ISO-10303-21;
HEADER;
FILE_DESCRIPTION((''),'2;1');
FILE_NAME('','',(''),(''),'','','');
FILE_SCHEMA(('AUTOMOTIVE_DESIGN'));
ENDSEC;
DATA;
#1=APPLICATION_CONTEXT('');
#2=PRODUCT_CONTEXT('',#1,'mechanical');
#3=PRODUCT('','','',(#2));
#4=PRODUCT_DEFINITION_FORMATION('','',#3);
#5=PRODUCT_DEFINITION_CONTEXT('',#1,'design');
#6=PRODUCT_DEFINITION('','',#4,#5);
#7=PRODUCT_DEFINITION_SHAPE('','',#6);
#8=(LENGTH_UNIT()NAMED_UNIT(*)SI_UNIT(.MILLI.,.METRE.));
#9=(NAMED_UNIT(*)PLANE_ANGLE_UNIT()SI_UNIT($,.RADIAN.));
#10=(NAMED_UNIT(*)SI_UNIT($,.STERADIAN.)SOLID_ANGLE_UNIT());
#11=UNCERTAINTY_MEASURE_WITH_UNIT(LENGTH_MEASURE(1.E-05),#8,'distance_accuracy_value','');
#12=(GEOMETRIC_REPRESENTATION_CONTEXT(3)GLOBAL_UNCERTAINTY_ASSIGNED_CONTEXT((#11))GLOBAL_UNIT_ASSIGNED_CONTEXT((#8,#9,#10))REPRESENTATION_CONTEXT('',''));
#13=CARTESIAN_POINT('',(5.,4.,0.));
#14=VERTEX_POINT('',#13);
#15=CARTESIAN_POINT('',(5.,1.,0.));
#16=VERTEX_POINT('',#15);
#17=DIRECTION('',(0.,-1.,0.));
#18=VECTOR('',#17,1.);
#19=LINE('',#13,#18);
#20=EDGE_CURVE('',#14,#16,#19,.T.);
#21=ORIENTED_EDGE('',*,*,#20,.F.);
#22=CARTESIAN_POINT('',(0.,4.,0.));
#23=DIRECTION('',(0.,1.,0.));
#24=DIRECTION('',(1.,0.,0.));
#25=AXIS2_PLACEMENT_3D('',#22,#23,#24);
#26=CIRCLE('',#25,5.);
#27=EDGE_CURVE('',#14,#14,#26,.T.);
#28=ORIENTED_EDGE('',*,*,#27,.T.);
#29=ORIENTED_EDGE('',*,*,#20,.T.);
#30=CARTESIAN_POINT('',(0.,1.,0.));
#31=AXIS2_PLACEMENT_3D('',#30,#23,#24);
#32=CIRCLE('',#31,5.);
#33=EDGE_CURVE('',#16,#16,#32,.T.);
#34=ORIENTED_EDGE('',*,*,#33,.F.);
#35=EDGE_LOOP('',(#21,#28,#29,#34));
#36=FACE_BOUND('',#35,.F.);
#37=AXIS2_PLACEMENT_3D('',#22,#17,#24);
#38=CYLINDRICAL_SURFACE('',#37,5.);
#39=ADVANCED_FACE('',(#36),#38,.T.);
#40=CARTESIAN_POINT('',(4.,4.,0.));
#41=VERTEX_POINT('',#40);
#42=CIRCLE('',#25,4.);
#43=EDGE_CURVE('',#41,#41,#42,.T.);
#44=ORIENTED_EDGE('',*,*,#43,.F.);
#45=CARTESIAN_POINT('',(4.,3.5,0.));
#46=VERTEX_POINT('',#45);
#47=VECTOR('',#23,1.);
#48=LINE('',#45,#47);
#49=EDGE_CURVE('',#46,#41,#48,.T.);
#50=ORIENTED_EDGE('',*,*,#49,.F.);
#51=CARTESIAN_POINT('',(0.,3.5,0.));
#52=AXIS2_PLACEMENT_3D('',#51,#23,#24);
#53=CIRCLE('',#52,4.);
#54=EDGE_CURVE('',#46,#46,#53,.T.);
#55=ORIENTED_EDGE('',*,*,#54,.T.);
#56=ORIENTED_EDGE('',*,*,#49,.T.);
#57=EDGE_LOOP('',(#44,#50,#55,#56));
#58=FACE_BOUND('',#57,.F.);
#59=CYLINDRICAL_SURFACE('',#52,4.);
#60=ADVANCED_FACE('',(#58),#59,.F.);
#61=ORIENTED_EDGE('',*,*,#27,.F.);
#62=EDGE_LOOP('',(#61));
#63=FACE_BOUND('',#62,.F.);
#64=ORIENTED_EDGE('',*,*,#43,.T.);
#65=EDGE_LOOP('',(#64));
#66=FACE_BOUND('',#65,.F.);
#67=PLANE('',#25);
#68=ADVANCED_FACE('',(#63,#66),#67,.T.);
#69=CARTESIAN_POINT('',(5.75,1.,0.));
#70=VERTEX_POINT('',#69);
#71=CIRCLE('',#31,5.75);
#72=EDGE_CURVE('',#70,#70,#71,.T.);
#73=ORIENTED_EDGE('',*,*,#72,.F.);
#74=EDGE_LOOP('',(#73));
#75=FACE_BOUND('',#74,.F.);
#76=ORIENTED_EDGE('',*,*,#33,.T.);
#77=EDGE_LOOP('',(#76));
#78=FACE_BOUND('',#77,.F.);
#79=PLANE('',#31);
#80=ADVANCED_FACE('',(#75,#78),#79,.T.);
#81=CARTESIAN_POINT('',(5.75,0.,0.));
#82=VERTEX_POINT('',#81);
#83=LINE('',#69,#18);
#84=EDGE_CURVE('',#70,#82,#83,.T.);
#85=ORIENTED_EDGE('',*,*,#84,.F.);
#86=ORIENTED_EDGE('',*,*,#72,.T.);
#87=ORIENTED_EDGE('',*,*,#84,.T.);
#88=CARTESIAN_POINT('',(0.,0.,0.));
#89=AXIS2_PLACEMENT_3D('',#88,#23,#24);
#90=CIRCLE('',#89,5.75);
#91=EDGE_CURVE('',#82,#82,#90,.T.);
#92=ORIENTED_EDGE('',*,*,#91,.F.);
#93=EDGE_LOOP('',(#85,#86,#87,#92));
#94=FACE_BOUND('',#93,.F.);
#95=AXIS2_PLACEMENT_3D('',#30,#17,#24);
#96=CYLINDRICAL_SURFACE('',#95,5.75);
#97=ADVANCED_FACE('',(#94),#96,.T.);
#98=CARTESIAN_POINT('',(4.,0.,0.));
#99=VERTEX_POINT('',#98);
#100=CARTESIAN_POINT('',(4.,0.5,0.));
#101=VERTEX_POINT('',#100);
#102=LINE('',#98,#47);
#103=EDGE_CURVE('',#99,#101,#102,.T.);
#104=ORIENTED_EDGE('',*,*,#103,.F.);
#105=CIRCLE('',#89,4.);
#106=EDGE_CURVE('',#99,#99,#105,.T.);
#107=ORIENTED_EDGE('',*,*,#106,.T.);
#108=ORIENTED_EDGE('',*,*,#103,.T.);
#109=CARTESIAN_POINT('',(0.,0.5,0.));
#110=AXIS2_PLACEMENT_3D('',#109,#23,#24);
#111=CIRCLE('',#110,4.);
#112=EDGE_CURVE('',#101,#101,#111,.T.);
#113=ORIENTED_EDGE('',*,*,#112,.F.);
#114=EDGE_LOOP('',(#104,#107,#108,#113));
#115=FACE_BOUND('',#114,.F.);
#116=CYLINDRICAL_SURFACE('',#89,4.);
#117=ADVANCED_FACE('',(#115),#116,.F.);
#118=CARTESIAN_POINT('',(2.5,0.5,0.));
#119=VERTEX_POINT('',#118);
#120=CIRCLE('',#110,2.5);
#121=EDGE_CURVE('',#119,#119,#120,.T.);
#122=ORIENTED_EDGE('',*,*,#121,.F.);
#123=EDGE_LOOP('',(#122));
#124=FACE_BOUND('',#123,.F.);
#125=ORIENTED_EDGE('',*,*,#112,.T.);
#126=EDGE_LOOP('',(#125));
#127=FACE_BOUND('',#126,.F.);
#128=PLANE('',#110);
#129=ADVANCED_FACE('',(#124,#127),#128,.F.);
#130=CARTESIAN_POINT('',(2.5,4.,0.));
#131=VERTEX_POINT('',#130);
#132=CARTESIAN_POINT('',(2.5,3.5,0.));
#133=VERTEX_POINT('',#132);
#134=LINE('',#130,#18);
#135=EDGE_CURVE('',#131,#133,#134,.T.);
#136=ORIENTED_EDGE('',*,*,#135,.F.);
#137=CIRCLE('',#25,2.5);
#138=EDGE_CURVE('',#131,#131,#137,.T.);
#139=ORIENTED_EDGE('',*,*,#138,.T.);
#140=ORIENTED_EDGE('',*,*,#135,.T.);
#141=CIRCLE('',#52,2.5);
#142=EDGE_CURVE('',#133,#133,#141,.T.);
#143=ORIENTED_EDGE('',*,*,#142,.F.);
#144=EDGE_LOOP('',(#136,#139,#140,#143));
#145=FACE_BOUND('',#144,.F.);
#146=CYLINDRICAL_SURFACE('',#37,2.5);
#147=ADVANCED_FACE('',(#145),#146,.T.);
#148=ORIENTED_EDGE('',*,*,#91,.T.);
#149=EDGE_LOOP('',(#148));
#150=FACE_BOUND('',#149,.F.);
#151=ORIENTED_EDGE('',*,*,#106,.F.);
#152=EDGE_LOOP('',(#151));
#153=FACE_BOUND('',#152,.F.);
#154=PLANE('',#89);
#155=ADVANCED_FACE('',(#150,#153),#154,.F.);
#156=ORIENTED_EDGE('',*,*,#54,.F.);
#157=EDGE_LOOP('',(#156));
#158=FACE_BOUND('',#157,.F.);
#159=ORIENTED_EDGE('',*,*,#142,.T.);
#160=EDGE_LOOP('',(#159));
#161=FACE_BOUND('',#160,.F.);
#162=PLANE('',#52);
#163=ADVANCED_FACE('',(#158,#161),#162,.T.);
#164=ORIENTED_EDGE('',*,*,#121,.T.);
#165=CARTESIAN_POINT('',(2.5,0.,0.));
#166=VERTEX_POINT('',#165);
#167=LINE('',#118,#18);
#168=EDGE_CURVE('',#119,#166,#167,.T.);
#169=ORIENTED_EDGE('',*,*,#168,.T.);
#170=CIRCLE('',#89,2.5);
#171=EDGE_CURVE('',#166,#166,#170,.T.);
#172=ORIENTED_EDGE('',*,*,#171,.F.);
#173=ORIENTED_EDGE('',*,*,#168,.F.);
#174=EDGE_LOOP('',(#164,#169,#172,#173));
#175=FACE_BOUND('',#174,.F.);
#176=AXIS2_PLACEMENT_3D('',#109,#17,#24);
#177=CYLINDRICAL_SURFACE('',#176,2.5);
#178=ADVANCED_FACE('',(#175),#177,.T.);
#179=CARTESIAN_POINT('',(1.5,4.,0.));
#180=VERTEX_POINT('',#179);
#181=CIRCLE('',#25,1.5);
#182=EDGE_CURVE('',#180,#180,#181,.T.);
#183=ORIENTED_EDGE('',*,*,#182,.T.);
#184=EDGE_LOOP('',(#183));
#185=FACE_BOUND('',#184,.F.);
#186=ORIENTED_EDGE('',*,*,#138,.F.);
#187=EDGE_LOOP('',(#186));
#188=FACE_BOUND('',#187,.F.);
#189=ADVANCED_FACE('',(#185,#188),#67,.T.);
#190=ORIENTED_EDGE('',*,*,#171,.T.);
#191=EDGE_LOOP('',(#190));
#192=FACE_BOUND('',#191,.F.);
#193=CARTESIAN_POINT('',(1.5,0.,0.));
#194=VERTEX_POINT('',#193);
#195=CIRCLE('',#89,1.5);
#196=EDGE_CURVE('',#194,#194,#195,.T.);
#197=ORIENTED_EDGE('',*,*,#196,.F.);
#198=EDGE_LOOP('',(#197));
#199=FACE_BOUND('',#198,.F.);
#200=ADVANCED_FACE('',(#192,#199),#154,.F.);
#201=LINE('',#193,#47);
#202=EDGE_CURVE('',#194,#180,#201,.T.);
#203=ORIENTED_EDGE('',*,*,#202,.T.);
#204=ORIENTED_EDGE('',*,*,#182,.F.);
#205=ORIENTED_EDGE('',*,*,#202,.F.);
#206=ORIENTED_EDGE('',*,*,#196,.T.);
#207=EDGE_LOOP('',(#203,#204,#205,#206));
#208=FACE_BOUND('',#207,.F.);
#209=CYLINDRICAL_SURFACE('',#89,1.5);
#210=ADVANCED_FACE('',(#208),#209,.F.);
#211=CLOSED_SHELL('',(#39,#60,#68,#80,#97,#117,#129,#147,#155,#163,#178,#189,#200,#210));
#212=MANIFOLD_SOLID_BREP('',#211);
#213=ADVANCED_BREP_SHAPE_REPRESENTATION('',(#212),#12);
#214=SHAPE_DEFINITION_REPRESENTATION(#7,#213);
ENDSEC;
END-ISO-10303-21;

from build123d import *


with BuildPart() as part:
    # Sketch1 → Revolve1 (revolve)
    with BuildSketch(Plane.XY):
        Polygon((1.5, 0), (1.5, 4), (2.5, 4), (2.5, 3.5), (4, 3.5), (4, 4), (5, 4), (5, 1), (5.75, 1), (5.75, 0), (4, 0), (4, 0.5), (2.5, 0.5), (2.5, 0), align=None)
    revolve(axis=Axis((0, -20.797495302, 0), (0, 1, 0)))


solid = part.part
